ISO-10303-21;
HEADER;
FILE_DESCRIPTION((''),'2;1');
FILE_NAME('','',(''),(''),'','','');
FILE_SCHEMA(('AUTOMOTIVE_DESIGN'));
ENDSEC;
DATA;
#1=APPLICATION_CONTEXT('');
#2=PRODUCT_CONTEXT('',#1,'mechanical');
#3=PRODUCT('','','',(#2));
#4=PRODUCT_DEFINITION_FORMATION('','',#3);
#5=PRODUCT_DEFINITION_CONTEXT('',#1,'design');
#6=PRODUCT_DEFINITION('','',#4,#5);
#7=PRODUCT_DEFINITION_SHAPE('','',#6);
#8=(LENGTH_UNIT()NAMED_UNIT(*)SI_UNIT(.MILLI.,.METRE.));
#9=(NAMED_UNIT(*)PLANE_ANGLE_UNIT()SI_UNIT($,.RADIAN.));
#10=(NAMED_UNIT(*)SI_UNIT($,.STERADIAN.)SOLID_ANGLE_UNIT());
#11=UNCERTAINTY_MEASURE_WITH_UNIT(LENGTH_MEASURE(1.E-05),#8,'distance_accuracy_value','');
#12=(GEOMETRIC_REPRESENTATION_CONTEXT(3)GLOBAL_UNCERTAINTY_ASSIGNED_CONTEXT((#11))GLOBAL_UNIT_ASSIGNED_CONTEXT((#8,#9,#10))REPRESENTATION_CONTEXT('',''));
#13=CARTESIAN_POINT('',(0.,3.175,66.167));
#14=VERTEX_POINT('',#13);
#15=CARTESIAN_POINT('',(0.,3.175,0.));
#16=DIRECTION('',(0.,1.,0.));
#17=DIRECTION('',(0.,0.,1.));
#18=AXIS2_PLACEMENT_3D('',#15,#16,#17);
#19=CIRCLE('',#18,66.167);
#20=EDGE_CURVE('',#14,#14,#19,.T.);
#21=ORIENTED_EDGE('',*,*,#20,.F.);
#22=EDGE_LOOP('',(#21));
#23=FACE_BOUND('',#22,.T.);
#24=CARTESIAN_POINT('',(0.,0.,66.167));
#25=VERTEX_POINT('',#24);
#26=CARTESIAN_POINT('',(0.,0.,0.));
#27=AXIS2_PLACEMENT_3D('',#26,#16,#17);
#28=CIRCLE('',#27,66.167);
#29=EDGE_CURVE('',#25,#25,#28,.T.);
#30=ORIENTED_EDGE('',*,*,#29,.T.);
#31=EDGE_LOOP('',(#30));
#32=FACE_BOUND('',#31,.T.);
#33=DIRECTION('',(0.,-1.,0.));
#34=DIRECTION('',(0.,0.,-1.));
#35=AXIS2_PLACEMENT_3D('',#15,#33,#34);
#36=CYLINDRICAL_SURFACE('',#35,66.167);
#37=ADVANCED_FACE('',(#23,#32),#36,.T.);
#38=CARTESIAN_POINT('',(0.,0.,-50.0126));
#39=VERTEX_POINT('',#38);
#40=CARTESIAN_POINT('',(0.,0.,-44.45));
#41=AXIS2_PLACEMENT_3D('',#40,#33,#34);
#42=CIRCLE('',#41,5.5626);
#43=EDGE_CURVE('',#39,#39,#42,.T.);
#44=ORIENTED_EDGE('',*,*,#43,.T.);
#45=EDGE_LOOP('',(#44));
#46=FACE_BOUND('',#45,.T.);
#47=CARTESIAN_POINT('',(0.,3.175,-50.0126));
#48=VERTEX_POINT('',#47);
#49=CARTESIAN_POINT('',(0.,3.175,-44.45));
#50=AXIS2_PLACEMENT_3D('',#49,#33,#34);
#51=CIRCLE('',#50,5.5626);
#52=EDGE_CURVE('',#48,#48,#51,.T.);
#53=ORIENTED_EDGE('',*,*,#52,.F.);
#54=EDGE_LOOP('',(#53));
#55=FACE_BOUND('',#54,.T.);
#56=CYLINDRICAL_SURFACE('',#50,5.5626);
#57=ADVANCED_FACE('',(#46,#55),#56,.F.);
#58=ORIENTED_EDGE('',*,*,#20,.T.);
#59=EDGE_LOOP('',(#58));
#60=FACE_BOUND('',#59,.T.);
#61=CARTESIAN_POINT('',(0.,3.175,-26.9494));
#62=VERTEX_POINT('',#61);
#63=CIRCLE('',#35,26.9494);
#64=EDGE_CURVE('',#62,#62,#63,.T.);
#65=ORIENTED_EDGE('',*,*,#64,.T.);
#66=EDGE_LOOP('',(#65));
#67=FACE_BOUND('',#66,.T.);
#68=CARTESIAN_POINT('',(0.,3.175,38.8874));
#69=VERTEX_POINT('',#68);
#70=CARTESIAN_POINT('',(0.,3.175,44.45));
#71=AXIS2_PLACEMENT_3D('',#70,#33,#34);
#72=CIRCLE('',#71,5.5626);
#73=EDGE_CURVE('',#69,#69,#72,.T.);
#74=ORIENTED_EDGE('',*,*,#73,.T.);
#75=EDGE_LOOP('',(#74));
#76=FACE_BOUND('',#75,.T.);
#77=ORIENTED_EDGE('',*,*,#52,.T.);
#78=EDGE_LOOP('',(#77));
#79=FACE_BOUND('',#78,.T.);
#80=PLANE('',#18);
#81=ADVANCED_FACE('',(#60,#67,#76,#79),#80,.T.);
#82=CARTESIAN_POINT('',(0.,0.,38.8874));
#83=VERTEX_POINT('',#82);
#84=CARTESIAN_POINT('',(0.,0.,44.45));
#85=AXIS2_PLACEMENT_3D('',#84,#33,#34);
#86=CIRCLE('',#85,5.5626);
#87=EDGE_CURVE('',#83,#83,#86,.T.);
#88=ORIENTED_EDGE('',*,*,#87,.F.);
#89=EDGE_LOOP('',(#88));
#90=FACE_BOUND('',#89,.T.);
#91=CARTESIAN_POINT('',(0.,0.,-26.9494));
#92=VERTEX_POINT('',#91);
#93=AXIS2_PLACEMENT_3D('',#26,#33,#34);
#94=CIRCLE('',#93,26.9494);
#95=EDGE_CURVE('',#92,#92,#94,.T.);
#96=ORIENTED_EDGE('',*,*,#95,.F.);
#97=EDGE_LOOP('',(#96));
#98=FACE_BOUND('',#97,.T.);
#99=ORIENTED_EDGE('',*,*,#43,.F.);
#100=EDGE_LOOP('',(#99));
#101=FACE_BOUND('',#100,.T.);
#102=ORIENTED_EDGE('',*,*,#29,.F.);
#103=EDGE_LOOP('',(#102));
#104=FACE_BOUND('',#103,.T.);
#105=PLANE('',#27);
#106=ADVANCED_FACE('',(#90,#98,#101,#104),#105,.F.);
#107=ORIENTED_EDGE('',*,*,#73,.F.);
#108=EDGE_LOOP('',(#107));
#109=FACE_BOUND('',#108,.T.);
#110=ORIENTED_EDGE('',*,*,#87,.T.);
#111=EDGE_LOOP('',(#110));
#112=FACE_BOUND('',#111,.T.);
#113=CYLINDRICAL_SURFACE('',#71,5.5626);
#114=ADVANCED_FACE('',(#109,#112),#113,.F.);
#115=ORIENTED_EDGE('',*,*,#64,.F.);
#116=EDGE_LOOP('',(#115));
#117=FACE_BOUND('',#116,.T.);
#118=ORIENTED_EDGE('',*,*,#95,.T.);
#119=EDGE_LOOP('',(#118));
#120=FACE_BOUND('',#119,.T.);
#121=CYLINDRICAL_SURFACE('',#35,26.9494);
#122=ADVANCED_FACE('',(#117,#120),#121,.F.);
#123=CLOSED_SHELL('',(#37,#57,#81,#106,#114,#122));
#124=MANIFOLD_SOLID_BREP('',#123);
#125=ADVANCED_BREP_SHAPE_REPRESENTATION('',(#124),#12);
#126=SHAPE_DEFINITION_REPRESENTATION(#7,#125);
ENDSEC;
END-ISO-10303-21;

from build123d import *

# Parameters (mm, degrees)
SKETCH1_R           = 66.167
BOSS_EXTRUDE1_DEPTH = 3.175
SKETCH2_R           = 5.5626
SKETCH2_R_2         = 26.9494
CUT_EXTRUDE1_DEPTH  = 94.628117588


with BuildPart() as part:
    # Sketch1 → Boss-Extrude1 (new body)
    with BuildSketch(Plane(origin=(0, 0, 0), x_dir=(1, 0, 0), z_dir=(0, 1, 0))):
        with Locations(Location((0, 0, 0), (0, 0, 270))):
            Circle(SKETCH1_R)
    extrude(amount=BOSS_EXTRUDE1_DEPTH)

    # Sketch2 → Cut-Extrude1 (cut, through all)
    with BuildSketch(Plane.XZ):
        with Locations(Location((0, -44.45, 0), (0, 0, 270))):
            Circle(SKETCH2_R)
        with Locations(Location((0, 0, 0), (0, 0, 270))):
            Circle(SKETCH2_R_2)
        with Locations(Location((0, 44.45, 0), (0, 0, 270))):
            Circle(SKETCH2_R)
    extrude(amount=-CUT_EXTRUDE1_DEPTH, mode=Mode.SUBTRACT)


solid = part.part
